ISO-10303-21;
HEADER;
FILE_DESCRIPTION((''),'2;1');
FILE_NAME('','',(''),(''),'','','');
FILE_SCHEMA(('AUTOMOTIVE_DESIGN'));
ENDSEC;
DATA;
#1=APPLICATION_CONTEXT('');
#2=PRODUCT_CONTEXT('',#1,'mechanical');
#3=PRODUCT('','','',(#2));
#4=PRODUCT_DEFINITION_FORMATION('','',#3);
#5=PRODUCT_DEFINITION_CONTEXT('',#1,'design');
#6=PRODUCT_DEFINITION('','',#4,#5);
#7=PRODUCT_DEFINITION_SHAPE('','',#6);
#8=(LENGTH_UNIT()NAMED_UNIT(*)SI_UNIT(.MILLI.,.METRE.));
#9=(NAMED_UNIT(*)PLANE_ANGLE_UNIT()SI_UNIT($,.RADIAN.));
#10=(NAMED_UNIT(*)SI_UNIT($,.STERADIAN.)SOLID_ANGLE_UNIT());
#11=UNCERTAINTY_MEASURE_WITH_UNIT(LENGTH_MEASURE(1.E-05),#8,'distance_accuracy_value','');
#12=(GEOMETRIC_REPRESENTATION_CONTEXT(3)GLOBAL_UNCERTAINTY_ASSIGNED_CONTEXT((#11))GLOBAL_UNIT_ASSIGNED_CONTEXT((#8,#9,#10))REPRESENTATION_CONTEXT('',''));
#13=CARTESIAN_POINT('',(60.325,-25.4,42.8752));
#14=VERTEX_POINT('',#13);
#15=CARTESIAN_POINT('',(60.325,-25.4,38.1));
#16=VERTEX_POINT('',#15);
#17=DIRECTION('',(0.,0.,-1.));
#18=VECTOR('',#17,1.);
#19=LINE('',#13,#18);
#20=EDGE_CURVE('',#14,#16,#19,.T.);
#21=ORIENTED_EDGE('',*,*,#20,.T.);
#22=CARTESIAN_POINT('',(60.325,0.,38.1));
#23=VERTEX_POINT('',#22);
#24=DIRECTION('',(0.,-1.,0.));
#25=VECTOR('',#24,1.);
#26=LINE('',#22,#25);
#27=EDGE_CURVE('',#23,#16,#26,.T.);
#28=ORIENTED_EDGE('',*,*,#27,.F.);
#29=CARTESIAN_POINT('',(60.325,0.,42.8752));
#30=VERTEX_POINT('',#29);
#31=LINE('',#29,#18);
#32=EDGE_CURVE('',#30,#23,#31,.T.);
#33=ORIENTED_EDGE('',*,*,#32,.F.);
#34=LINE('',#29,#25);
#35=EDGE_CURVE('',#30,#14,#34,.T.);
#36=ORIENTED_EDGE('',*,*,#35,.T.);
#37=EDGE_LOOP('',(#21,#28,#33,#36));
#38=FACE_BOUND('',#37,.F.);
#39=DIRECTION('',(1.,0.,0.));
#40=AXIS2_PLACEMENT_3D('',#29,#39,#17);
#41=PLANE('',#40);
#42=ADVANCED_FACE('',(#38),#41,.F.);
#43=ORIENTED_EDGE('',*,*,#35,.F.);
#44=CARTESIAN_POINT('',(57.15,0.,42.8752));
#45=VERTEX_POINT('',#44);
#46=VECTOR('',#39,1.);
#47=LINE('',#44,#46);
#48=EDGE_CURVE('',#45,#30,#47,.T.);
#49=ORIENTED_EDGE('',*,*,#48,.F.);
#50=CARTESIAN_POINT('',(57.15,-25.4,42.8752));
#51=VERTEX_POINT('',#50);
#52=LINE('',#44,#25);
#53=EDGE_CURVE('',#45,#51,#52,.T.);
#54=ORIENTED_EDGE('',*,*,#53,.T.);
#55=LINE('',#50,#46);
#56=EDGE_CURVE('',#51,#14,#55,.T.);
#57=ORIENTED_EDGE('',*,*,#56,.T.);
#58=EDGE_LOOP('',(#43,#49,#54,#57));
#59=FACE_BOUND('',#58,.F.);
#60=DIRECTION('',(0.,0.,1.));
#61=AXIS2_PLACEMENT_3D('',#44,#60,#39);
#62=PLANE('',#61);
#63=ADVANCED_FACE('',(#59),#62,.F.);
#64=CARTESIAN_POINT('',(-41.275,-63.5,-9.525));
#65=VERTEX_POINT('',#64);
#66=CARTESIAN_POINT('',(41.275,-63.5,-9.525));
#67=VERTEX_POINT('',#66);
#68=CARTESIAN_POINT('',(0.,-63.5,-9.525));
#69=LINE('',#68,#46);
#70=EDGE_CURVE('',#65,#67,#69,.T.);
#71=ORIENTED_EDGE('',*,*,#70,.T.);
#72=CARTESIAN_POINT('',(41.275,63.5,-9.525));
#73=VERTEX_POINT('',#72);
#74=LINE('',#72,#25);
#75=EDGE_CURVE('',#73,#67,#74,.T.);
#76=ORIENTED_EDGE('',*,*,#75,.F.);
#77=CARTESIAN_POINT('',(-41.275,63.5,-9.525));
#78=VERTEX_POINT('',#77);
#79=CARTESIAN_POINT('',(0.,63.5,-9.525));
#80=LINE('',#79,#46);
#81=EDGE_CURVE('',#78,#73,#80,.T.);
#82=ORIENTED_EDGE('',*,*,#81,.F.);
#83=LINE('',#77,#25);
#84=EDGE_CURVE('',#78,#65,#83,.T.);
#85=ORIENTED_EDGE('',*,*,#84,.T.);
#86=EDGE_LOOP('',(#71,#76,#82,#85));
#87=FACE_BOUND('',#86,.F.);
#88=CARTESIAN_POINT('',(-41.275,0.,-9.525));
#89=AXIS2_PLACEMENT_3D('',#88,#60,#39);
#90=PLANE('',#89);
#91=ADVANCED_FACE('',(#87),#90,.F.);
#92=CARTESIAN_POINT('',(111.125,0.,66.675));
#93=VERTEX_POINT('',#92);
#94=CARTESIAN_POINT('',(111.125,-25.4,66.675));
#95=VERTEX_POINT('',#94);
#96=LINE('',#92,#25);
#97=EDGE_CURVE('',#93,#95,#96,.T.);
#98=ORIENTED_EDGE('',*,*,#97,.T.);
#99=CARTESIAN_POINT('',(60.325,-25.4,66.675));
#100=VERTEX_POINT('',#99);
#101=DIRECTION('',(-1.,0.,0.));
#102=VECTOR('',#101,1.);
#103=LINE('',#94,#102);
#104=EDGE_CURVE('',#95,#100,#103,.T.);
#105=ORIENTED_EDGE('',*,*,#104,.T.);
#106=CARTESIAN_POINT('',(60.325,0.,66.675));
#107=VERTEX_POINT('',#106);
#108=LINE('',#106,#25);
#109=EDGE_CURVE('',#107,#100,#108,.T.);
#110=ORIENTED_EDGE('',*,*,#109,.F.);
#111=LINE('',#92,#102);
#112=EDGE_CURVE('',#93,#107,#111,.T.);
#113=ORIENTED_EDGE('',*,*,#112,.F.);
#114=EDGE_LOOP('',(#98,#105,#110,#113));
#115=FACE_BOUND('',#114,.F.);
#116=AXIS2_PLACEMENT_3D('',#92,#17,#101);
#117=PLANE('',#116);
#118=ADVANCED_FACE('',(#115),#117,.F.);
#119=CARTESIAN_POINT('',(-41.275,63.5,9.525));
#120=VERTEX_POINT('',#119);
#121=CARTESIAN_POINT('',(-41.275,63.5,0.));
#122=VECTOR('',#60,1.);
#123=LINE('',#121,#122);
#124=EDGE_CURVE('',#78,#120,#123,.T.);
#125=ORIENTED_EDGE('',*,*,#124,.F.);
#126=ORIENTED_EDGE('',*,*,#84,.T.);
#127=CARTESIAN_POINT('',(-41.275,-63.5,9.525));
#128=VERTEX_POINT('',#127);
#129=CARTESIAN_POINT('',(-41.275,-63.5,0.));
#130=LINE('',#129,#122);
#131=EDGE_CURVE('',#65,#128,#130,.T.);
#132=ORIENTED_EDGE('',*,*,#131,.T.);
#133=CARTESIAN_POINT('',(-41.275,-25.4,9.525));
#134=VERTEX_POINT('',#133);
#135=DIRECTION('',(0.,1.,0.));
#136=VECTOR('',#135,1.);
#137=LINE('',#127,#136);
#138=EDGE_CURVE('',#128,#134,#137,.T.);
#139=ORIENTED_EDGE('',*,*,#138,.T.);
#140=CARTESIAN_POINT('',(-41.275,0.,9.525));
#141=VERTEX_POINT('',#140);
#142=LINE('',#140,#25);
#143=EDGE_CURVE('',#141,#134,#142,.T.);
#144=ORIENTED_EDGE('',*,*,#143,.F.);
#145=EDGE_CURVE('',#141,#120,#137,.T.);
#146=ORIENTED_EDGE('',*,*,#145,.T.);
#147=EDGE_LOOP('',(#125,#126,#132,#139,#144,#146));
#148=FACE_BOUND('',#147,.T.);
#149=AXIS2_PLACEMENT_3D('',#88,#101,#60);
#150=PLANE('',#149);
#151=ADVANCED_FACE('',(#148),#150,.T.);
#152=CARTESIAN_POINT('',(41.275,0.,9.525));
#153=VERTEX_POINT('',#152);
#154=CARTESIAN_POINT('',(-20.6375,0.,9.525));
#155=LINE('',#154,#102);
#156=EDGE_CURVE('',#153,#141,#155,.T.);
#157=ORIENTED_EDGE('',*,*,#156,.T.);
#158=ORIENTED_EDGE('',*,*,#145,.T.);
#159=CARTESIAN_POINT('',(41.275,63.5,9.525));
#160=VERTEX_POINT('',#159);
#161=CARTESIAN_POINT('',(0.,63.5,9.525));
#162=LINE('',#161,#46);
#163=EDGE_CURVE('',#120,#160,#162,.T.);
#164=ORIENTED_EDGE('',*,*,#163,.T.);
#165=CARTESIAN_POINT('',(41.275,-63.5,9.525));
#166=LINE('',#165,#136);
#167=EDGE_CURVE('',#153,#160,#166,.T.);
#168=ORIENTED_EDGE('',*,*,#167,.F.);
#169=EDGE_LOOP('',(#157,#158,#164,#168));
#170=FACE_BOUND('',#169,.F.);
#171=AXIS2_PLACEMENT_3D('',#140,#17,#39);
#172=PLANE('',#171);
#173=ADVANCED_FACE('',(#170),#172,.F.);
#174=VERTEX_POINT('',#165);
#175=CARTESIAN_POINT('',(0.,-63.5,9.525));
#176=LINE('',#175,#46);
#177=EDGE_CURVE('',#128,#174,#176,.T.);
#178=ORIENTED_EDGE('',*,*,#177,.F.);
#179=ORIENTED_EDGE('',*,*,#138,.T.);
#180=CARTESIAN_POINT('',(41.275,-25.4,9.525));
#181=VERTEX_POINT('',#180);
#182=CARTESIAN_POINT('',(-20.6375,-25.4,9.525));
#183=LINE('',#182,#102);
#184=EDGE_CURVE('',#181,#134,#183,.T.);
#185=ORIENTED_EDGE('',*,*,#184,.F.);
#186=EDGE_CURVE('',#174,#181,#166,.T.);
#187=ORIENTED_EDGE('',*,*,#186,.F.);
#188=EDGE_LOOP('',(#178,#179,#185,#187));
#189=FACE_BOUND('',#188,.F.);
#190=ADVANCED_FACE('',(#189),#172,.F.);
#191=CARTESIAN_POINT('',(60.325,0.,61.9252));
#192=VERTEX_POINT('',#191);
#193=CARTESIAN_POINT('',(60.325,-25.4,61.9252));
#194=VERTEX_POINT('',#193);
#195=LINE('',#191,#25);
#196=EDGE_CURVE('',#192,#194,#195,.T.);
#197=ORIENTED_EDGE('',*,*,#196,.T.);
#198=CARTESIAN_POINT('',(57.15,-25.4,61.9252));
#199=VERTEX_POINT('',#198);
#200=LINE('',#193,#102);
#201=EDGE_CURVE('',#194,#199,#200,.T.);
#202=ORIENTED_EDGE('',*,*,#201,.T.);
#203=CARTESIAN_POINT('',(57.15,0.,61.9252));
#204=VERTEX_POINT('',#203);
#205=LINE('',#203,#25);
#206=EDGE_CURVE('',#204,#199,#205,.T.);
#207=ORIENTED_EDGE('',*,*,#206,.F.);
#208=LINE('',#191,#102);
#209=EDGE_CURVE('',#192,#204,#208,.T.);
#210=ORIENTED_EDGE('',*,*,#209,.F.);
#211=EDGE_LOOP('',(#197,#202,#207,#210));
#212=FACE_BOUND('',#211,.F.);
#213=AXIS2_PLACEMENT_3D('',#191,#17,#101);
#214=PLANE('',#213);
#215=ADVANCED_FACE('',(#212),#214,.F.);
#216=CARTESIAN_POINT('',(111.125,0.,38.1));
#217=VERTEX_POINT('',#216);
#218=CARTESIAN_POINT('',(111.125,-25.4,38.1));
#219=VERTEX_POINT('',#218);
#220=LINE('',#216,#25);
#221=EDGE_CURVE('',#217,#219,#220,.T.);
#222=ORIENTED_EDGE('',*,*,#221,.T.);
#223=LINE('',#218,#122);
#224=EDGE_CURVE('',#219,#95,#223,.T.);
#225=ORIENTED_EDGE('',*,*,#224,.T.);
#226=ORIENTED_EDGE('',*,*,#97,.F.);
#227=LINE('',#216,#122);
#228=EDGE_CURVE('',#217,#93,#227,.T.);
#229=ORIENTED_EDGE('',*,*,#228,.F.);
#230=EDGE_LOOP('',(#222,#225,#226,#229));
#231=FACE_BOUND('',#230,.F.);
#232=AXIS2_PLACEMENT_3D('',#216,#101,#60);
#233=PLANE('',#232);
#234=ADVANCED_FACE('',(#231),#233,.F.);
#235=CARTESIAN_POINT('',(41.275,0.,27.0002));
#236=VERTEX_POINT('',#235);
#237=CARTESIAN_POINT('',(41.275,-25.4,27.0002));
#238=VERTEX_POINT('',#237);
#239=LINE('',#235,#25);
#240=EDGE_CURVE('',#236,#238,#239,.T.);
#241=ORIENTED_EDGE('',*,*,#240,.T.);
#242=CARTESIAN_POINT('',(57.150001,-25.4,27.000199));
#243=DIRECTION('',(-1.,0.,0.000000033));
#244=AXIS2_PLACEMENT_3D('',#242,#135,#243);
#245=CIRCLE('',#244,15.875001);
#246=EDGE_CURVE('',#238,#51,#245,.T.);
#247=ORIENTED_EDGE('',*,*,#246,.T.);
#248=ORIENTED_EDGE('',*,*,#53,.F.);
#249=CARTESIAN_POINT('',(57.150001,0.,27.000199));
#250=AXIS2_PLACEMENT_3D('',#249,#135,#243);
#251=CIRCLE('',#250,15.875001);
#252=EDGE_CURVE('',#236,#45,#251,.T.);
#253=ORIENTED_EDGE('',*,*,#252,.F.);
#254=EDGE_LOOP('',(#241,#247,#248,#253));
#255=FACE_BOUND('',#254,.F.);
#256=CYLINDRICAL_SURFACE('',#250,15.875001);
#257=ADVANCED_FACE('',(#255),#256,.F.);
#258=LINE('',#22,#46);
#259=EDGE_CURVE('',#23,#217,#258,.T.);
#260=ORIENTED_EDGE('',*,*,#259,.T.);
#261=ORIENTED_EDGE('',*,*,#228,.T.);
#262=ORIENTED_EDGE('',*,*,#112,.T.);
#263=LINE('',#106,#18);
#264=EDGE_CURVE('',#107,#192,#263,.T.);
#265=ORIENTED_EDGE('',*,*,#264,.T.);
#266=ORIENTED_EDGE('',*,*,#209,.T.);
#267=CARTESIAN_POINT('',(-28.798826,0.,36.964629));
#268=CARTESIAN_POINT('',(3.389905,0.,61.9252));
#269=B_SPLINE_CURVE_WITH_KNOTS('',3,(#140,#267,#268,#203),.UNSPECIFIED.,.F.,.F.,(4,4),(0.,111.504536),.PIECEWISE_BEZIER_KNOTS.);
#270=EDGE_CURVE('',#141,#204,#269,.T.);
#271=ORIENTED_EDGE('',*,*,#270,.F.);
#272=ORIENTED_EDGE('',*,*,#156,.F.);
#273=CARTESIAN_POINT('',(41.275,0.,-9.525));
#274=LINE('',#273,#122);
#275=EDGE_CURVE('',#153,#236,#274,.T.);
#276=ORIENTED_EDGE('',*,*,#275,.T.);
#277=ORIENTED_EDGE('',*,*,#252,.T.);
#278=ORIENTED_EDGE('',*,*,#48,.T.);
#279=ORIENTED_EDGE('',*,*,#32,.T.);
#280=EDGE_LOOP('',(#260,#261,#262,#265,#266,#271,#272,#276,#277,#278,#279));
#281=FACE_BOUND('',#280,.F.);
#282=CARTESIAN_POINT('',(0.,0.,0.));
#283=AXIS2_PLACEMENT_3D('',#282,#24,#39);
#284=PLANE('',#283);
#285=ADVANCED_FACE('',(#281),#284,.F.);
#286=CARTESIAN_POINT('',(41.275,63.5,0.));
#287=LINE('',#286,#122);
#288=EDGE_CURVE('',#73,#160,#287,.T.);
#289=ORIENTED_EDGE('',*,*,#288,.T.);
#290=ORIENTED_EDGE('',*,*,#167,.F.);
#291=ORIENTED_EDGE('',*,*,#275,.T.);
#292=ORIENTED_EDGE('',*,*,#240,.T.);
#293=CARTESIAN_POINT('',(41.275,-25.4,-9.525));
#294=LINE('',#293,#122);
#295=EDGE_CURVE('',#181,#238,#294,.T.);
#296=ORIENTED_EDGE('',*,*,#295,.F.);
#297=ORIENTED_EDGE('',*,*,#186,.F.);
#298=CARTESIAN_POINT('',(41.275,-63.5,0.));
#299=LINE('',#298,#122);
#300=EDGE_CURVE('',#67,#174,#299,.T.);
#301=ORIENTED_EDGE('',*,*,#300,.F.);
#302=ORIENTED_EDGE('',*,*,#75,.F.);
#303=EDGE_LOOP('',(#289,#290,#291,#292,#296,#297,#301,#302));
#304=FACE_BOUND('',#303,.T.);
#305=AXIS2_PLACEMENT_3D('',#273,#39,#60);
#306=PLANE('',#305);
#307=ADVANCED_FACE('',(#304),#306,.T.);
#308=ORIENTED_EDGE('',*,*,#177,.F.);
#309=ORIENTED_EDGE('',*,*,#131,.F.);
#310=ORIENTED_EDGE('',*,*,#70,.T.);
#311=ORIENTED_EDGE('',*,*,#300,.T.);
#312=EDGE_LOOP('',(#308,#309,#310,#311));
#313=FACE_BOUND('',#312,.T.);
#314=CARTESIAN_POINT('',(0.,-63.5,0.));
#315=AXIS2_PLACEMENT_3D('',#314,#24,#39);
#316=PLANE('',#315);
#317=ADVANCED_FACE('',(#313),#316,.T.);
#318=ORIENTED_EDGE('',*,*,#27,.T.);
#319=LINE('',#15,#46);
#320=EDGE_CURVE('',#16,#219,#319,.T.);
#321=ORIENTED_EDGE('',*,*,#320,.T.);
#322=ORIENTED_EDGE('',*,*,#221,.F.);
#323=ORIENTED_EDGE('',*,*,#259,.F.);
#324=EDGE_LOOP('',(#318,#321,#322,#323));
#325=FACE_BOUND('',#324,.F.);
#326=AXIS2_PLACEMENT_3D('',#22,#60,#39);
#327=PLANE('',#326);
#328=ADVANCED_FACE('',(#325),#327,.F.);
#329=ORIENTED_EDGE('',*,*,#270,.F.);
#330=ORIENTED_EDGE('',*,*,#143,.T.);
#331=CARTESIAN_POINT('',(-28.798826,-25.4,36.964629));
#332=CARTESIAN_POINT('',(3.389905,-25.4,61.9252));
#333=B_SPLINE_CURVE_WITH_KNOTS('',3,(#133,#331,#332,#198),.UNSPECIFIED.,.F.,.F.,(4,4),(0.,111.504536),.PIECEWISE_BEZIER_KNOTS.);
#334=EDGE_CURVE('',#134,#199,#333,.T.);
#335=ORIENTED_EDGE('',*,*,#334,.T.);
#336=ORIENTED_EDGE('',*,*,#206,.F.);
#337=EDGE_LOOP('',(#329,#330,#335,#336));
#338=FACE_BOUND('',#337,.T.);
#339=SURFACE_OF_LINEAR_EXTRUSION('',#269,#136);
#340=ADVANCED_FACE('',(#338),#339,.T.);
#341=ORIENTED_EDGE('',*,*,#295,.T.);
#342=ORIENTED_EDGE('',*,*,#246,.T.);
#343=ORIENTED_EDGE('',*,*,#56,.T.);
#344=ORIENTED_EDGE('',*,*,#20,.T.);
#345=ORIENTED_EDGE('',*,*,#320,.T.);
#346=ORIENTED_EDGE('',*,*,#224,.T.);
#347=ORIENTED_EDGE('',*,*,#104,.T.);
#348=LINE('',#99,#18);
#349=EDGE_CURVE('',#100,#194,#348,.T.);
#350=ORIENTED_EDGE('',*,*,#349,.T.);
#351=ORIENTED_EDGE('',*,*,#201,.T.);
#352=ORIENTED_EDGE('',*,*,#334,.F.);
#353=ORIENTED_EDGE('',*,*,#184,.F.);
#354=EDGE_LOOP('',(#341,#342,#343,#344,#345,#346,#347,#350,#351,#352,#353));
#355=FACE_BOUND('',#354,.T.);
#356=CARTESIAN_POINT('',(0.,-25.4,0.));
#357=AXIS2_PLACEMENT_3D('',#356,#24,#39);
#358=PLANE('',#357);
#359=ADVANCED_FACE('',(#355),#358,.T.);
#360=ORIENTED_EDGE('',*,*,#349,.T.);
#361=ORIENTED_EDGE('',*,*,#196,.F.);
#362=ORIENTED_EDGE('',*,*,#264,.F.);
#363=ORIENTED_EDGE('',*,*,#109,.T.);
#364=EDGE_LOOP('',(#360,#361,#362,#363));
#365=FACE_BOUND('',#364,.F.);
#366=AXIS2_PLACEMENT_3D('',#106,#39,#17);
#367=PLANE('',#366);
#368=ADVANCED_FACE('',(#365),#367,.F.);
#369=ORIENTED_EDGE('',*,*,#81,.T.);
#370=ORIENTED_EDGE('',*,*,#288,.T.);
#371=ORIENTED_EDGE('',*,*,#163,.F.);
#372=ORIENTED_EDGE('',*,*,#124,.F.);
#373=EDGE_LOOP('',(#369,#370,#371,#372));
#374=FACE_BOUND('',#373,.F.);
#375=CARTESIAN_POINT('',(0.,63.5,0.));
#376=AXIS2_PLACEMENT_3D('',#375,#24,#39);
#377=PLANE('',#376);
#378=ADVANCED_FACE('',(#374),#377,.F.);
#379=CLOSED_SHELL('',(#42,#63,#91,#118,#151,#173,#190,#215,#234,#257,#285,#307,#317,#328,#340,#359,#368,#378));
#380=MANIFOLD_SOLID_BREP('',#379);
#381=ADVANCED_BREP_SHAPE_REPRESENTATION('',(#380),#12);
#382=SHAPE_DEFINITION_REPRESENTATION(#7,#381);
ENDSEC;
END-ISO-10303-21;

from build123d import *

# Parameters (mm, degrees)
F0_W     = 82.55
F0_H     = 19.05
F1_DEPTH = 63.5
F2_DEPTH = 25.4


with BuildPart() as f1:
    # F0 (on Front) → F1 (new body, symmetric)
    with BuildSketch(Plane.XZ):
        Rectangle(F0_W, F0_H)
    extrude(amount=F1_DEPTH, both=True)

    # F0 (on Front) → F2 (join)
    with BuildSketch(Plane.XZ):
        Rectangle(F0_W, F0_H)
        with BuildLine():
            Line((-41.275, 9.525), (41.275, 9.525))
            Line((41.275, 9.525), (41.275, 27.0002))
            ThreePointArc((41.275, 27.0002), (45.92468, 38.22552), (57.15, 42.8752))
            Line((57.15, 42.8752), (60.325, 42.8752))
            Line((60.325, 42.8752), (60.325, 61.9252))
            Line((60.325, 61.9252), (57.15, 61.9252))
            add(Edge.make_bspline(
                [(-41.275, 9.525), (-28.798826, 36.964629), (3.389905, 61.9252), (57.15, 61.9252)],
                knots=[0, 0, 0, 0, 111.504536, 111.504536, 111.504536, 111.504536], degree=3))
        make_face()
        Polygon((60.325, 66.675), (60.325, 61.9252), (60.325, 42.8752), (60.325, 38.1), (85.725, 38.1), (85.583121, 66.675), align=None)
        Polygon((111.125, 66.675), (85.583121, 66.675), (85.725, 38.1), (111.125, 38.1), align=None)
    extrude(amount=F2_DEPTH)


solid = f1.part
